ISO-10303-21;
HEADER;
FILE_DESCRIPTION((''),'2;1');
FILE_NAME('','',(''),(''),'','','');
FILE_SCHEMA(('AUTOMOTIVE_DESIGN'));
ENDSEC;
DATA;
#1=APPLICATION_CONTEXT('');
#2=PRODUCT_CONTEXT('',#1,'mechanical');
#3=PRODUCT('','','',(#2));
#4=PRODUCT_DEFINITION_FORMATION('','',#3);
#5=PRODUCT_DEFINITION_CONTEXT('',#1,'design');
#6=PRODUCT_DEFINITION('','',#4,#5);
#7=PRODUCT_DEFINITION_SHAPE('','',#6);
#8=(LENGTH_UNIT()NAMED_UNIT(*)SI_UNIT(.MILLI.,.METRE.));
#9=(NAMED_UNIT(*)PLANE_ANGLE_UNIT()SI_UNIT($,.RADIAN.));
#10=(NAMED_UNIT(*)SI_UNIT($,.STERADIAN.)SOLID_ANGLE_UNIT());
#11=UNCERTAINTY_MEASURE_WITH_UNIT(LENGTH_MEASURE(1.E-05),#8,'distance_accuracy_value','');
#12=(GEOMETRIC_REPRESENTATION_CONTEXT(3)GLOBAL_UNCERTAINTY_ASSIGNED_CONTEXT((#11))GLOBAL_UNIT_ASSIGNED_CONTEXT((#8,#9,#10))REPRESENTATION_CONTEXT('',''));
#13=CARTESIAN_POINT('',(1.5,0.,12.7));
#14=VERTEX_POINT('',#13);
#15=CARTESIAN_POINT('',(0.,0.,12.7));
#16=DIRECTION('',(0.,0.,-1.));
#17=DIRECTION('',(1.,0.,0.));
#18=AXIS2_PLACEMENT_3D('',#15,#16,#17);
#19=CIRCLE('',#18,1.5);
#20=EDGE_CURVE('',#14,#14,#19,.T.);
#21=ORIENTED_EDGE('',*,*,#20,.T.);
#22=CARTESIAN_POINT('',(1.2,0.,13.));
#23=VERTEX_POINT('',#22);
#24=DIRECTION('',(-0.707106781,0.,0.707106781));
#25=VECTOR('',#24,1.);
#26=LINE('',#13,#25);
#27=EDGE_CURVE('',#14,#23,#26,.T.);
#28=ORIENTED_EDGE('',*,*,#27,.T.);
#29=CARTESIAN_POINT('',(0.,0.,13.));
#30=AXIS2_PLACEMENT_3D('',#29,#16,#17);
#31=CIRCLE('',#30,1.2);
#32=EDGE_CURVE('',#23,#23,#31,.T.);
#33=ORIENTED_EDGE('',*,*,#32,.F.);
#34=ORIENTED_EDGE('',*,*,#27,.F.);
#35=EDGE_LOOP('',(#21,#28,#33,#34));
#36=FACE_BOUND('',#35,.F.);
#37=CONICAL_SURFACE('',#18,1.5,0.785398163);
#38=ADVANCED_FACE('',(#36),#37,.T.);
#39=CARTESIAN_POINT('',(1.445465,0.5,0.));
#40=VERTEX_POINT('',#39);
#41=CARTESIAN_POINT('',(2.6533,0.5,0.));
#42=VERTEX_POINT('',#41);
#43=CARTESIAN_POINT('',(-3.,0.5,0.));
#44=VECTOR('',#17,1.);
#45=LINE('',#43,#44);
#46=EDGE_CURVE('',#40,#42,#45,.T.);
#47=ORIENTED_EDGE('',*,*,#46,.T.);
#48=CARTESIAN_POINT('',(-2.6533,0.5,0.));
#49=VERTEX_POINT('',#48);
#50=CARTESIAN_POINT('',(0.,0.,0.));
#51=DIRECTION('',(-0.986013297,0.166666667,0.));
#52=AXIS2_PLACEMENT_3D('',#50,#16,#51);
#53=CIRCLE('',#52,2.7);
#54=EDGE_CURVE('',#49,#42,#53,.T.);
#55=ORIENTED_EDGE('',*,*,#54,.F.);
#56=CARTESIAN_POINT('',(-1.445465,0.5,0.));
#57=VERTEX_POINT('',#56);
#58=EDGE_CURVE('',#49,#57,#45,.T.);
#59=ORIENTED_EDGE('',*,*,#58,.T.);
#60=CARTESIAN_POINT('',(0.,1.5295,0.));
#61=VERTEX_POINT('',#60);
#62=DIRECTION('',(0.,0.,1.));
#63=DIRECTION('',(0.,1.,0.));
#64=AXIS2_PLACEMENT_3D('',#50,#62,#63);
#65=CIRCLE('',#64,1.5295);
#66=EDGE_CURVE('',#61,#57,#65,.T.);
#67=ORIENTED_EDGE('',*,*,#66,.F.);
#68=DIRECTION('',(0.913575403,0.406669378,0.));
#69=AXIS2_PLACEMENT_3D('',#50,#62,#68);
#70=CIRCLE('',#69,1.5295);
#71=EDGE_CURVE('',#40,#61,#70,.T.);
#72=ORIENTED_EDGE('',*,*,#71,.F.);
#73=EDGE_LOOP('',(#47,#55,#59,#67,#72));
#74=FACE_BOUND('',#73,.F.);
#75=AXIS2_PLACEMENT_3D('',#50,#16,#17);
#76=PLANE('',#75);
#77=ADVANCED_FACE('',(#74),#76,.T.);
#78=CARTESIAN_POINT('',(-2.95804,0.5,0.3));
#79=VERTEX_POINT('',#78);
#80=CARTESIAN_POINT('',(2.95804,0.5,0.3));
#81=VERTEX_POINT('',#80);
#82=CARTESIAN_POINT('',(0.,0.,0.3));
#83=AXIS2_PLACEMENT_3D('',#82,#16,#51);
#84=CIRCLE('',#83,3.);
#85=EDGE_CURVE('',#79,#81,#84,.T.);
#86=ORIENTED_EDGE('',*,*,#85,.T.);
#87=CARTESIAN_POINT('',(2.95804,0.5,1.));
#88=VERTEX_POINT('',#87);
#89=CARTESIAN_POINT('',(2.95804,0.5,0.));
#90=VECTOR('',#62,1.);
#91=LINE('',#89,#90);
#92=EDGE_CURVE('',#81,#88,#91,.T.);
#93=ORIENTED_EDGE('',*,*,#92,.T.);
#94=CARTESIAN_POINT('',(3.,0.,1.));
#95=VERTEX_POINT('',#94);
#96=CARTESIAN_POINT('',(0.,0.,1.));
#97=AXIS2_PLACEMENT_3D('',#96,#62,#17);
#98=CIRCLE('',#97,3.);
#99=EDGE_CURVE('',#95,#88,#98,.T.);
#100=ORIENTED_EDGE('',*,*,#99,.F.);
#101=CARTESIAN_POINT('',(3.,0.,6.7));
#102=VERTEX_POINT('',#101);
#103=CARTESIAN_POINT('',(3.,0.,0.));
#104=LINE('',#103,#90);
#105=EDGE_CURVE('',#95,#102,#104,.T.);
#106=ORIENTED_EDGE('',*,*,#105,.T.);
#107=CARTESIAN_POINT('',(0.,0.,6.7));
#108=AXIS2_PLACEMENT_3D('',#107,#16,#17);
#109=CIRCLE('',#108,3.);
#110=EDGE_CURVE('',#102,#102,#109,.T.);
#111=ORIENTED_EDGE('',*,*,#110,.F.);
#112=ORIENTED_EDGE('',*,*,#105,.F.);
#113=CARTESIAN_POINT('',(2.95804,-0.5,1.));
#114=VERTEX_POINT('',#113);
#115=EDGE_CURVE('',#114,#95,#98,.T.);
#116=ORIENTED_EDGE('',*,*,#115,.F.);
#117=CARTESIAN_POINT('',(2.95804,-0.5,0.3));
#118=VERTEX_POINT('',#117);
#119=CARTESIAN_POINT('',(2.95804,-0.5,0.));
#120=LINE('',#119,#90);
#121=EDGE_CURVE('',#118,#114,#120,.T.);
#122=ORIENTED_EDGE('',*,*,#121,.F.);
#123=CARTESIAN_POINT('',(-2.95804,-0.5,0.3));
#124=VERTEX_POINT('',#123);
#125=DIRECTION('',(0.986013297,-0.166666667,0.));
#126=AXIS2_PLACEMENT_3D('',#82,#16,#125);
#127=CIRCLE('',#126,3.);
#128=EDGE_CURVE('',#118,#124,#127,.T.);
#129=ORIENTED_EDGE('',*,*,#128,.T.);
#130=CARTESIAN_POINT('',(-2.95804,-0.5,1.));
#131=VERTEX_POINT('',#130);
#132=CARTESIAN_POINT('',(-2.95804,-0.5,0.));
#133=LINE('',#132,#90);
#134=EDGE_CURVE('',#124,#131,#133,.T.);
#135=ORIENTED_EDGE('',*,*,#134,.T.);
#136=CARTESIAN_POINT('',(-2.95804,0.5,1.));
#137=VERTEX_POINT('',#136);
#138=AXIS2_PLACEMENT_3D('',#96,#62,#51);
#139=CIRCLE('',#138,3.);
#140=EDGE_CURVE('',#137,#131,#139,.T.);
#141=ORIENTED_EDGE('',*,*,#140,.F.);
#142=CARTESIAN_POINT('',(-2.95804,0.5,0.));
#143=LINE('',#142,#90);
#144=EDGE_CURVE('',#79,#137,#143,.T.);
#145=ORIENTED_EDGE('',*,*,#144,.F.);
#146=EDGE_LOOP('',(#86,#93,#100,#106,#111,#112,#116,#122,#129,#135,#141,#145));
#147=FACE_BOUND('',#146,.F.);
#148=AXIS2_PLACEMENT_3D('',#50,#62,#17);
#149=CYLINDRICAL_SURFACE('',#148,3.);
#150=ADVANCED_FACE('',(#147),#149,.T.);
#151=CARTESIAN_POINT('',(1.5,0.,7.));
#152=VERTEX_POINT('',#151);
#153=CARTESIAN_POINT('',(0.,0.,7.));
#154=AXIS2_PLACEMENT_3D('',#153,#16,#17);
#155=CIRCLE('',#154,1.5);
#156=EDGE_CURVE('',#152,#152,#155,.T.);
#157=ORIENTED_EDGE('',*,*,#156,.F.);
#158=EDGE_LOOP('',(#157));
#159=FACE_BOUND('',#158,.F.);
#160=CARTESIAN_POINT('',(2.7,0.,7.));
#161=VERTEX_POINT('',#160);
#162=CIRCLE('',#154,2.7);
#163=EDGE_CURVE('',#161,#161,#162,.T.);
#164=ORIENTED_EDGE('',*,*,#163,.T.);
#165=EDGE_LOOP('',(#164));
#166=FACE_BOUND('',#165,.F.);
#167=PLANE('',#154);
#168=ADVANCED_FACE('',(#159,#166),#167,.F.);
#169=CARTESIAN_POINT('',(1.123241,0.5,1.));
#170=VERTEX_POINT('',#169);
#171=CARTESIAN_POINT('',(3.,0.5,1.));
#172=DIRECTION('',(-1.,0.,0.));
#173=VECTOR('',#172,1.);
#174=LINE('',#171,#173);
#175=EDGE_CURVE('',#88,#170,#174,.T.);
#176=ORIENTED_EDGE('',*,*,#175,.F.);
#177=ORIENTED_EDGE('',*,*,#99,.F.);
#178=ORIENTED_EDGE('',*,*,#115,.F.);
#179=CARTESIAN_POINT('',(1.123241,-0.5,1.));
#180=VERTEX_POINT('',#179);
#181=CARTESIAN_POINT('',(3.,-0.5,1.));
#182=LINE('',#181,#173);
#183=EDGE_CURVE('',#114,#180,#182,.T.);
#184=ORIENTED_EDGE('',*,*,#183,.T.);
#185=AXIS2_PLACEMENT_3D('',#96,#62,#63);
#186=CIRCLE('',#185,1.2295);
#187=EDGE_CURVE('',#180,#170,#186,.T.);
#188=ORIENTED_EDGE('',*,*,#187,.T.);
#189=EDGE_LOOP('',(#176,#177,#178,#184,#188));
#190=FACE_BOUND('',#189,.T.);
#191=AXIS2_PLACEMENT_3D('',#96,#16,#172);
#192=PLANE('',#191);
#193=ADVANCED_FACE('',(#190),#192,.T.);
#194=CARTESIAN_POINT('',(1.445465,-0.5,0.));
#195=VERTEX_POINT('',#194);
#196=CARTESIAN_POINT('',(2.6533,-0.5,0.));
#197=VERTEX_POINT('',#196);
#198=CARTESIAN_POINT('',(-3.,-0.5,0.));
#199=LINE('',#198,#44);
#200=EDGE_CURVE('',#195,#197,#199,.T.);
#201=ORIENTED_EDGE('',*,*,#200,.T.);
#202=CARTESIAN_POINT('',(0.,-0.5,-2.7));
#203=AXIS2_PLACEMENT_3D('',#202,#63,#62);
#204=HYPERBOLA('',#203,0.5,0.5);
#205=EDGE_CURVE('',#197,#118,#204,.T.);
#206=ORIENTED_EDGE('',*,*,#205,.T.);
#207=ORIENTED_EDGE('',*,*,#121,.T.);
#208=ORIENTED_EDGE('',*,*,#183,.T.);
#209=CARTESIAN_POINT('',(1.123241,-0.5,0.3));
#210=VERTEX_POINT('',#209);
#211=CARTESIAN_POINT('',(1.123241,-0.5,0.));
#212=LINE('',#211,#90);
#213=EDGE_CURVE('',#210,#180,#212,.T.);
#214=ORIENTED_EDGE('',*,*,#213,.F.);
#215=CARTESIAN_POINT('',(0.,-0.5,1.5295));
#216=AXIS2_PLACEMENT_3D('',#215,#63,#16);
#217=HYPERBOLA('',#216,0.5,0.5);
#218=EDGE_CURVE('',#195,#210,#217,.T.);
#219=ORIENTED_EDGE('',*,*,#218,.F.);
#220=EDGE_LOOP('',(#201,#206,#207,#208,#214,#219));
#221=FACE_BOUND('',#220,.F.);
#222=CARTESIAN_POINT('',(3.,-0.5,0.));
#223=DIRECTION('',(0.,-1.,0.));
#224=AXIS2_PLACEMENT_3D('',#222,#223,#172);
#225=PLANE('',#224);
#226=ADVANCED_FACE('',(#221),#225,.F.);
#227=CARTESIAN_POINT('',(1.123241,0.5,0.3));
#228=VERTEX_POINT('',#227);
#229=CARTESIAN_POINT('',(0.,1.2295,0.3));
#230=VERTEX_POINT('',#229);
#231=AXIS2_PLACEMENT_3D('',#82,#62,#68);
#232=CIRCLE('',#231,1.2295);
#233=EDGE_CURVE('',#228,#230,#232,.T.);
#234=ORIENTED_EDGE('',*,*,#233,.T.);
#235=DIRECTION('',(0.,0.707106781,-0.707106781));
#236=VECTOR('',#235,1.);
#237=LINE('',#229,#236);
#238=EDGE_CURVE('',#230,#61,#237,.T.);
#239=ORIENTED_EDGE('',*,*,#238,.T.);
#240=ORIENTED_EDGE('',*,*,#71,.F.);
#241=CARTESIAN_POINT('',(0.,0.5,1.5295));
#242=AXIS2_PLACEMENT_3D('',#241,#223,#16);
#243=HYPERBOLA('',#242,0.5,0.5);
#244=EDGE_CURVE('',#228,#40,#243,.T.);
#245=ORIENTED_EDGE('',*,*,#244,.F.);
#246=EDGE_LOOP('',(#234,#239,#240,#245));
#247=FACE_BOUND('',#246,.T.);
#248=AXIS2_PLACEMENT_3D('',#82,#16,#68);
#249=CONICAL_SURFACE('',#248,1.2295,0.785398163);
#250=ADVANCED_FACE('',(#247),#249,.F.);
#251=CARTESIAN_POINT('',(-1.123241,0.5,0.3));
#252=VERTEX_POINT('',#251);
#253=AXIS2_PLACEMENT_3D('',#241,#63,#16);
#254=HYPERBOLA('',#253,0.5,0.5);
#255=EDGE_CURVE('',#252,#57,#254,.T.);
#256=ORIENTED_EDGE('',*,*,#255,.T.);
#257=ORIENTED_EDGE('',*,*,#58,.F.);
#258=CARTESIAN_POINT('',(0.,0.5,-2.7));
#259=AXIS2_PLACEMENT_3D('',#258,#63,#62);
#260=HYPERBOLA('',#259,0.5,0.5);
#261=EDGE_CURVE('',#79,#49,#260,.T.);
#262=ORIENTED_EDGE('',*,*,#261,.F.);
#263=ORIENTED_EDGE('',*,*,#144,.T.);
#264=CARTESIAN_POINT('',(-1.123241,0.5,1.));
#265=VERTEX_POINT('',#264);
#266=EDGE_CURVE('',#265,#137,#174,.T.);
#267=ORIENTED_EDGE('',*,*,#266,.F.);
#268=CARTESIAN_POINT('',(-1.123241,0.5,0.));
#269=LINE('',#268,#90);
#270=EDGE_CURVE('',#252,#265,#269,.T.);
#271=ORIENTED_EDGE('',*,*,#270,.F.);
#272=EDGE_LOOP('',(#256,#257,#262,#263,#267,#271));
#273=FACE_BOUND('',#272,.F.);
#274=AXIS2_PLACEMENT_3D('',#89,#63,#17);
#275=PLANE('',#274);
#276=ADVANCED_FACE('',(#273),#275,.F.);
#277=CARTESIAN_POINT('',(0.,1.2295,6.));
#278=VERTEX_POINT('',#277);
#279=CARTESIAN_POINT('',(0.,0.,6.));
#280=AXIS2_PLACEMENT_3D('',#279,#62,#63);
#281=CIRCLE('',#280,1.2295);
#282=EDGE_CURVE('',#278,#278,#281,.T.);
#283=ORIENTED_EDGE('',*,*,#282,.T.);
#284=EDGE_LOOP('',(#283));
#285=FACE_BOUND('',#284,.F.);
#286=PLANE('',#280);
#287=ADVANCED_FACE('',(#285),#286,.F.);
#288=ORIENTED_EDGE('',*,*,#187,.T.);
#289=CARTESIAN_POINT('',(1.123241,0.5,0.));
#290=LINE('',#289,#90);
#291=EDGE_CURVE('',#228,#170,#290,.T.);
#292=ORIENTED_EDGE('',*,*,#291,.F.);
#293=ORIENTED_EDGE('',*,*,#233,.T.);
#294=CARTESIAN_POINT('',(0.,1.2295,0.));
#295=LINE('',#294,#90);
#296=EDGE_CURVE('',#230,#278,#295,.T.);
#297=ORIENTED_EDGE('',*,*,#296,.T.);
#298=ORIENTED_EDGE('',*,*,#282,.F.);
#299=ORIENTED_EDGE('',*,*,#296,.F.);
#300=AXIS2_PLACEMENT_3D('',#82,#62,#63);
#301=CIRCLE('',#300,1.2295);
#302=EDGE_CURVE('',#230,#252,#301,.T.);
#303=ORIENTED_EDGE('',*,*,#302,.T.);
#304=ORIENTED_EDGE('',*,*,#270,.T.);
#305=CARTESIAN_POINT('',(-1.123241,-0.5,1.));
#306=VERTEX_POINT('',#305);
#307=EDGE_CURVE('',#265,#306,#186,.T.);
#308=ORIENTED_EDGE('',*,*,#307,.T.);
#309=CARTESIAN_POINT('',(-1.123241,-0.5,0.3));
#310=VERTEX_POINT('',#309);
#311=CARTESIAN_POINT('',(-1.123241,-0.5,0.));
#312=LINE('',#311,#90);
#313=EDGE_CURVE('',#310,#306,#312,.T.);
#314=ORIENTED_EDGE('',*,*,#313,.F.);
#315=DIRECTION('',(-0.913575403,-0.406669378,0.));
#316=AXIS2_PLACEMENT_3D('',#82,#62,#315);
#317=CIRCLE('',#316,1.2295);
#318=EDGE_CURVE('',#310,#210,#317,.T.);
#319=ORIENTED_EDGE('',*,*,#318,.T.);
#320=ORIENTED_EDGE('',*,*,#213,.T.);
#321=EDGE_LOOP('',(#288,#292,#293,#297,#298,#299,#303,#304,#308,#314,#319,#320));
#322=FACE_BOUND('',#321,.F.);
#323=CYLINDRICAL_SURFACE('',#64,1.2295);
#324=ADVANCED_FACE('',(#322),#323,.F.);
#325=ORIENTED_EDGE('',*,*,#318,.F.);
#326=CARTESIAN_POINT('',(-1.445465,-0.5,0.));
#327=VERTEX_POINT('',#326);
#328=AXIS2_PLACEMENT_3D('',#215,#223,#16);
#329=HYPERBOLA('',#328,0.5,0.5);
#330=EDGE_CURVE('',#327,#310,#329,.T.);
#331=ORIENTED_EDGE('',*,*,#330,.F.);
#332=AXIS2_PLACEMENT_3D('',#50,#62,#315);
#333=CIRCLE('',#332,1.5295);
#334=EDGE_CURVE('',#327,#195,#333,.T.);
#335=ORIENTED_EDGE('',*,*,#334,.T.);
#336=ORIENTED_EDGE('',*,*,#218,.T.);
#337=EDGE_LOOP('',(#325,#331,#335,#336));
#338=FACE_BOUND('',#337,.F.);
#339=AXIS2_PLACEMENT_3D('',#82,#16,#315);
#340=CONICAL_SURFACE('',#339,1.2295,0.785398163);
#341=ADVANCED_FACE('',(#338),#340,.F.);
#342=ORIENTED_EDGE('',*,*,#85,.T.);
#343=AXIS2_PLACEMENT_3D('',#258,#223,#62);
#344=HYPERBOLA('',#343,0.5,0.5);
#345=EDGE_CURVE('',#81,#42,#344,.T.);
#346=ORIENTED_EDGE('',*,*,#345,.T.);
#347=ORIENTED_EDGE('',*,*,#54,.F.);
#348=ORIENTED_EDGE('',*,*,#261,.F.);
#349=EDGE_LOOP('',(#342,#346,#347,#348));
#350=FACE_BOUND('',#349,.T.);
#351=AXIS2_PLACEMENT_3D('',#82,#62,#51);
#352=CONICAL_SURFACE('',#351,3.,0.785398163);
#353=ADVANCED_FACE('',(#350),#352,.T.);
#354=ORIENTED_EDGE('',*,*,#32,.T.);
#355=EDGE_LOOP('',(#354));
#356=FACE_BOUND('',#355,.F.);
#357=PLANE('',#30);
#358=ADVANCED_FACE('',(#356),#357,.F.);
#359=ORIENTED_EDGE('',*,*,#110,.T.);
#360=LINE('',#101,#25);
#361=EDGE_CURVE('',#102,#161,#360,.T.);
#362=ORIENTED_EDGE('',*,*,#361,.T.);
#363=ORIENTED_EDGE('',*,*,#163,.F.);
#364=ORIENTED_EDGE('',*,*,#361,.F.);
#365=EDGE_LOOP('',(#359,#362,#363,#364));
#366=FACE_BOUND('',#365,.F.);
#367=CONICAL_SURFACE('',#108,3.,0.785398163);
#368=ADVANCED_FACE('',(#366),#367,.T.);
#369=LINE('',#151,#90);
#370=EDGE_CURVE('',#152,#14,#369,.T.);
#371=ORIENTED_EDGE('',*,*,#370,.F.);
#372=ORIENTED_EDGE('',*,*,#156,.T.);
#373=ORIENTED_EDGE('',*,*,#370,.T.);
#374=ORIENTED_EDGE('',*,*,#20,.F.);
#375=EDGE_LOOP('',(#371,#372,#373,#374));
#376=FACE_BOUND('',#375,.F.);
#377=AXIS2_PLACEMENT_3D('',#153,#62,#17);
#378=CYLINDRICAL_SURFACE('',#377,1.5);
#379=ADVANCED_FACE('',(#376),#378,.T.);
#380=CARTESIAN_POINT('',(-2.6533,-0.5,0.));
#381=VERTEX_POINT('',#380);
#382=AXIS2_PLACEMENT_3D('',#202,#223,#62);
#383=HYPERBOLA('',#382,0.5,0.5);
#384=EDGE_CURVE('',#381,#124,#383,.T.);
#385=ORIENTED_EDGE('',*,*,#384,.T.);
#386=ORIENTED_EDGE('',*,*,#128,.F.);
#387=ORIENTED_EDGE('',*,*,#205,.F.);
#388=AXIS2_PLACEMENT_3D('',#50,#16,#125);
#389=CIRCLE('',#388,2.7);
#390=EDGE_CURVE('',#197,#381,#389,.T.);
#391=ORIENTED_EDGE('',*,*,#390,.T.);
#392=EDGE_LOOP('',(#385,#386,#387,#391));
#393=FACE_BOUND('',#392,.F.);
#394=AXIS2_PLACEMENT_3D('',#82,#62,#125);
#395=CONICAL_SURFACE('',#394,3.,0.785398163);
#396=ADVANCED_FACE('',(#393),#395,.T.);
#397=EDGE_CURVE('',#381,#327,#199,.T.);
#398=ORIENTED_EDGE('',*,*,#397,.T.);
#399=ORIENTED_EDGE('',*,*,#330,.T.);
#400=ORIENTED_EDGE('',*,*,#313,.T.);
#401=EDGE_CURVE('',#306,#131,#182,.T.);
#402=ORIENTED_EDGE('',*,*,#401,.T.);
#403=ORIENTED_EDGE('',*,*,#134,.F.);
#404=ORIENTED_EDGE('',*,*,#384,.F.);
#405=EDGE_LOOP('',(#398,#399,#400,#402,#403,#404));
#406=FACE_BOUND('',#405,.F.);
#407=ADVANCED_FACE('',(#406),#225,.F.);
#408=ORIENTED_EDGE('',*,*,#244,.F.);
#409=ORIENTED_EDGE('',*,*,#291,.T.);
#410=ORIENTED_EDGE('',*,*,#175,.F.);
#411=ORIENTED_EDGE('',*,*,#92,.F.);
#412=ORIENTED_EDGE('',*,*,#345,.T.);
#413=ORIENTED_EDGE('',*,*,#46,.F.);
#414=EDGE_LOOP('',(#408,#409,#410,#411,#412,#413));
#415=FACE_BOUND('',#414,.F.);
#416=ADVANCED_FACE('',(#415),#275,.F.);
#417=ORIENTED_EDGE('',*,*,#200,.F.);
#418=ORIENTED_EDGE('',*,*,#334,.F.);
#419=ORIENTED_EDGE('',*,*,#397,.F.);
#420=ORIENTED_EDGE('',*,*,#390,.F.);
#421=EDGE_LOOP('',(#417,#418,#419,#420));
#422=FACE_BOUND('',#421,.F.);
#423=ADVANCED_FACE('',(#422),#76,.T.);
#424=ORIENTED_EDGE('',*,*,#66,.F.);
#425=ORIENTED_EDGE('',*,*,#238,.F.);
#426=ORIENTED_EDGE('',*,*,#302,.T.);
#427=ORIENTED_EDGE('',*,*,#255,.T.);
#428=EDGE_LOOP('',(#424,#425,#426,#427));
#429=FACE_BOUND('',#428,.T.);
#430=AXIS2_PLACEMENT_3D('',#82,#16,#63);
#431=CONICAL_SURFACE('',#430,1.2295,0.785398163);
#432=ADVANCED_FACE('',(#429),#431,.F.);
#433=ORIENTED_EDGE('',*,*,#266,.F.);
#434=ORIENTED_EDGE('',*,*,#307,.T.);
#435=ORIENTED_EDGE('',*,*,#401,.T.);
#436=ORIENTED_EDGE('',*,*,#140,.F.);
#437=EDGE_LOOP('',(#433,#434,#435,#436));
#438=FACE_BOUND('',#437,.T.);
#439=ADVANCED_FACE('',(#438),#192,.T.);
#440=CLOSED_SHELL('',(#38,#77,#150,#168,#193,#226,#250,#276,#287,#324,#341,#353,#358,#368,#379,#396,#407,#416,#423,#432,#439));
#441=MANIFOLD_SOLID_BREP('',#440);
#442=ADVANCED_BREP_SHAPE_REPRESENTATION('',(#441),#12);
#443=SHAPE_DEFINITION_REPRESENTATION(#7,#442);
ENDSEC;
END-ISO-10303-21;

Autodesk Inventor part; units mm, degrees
ref_plane "YZ Plane" through (0, 0, 0) normal (1, 0, 0) x (0, 1, 0)
ref_plane "XZ Plane" through (0, 0, 0) normal (0, 1, 0) x (-1, 0, 0)
ref_plane "XY Plane" through (0, 0, 0) normal (0, 0, 1) x (1, 0, 0)
sketch "Sketch1" plane through (0, 0, 0) normal (0, 1, 0) x (-1, 0, 0)
  line L0 (0, 0) -> (-3, 0)
  line L1 (-3, 0) -> (-3, 7)
  line L2 (-3, 7) -> (-1.5, 7)
  line L3 (-1.5, 7) -> (-1.5, 13)
  line L4 (-1.5, 13) -> (0, 13)
  line L5 (0, 13) -> (0, 0)
  dimension "d1" = 6
  dimension "d2" = 7
  dimension "d3" = 3
  dimension "d4" = 6
revolve "Revolution1" add sketch "Sketch1" angle 360 about axis through (0, 0, 13) along (0, 0, -1)
sketch "Sketch2" plane through (0, 0, 0) normal (0, 0, -1) x (-1, 0, 0)
  line L0 (-3, -0.5) -> (3, -0.5)
  line L1 (3, -0.5) -> (3, 0.5)
  line L2 (3, 0.5) -> (-3, 0.5)
  line L3 (-3, 0.5) -> (-3, -0.5)
  line L4 (-3, -0.5) -> (3, 0.5) construction
  line L5 (3, -0.5) -> (-3, 0.5) construction
  circle A0 centre (0, 0) radius 3 projected
  dimension "d6" = 1
extrude "Extrusion1" cut sketch "Sketch2" against normal blind 1 contours L3 A0 L0 | A0 L2 L0 | L3 L2 A0 | A0 L1 L0 | A0 L2 L1
hole "Hole1" at (0, 0, 0) direction (0, 0, 1) diameter 2.459 depth 6 thread size "M3x0.5" class "6H" standard "ANSI Metric M Profile"
thread "Thread1" size "M3x0.5" class "6g" standard "ANSI Metric M Profile" full length
chamfer "Chamfer1" distance 0.3 angle 45 7 edges at (-3, 0, 7) (0, 3, 0) (0, -3, 0) (0, -1.2295, 0) (-0.6697, 1.0311, 0) (0.6697, 1.0311, 0) (-1.5, 0, 13)
properties part number "BRU-307S" material "Stainless Steel AISI 304"
